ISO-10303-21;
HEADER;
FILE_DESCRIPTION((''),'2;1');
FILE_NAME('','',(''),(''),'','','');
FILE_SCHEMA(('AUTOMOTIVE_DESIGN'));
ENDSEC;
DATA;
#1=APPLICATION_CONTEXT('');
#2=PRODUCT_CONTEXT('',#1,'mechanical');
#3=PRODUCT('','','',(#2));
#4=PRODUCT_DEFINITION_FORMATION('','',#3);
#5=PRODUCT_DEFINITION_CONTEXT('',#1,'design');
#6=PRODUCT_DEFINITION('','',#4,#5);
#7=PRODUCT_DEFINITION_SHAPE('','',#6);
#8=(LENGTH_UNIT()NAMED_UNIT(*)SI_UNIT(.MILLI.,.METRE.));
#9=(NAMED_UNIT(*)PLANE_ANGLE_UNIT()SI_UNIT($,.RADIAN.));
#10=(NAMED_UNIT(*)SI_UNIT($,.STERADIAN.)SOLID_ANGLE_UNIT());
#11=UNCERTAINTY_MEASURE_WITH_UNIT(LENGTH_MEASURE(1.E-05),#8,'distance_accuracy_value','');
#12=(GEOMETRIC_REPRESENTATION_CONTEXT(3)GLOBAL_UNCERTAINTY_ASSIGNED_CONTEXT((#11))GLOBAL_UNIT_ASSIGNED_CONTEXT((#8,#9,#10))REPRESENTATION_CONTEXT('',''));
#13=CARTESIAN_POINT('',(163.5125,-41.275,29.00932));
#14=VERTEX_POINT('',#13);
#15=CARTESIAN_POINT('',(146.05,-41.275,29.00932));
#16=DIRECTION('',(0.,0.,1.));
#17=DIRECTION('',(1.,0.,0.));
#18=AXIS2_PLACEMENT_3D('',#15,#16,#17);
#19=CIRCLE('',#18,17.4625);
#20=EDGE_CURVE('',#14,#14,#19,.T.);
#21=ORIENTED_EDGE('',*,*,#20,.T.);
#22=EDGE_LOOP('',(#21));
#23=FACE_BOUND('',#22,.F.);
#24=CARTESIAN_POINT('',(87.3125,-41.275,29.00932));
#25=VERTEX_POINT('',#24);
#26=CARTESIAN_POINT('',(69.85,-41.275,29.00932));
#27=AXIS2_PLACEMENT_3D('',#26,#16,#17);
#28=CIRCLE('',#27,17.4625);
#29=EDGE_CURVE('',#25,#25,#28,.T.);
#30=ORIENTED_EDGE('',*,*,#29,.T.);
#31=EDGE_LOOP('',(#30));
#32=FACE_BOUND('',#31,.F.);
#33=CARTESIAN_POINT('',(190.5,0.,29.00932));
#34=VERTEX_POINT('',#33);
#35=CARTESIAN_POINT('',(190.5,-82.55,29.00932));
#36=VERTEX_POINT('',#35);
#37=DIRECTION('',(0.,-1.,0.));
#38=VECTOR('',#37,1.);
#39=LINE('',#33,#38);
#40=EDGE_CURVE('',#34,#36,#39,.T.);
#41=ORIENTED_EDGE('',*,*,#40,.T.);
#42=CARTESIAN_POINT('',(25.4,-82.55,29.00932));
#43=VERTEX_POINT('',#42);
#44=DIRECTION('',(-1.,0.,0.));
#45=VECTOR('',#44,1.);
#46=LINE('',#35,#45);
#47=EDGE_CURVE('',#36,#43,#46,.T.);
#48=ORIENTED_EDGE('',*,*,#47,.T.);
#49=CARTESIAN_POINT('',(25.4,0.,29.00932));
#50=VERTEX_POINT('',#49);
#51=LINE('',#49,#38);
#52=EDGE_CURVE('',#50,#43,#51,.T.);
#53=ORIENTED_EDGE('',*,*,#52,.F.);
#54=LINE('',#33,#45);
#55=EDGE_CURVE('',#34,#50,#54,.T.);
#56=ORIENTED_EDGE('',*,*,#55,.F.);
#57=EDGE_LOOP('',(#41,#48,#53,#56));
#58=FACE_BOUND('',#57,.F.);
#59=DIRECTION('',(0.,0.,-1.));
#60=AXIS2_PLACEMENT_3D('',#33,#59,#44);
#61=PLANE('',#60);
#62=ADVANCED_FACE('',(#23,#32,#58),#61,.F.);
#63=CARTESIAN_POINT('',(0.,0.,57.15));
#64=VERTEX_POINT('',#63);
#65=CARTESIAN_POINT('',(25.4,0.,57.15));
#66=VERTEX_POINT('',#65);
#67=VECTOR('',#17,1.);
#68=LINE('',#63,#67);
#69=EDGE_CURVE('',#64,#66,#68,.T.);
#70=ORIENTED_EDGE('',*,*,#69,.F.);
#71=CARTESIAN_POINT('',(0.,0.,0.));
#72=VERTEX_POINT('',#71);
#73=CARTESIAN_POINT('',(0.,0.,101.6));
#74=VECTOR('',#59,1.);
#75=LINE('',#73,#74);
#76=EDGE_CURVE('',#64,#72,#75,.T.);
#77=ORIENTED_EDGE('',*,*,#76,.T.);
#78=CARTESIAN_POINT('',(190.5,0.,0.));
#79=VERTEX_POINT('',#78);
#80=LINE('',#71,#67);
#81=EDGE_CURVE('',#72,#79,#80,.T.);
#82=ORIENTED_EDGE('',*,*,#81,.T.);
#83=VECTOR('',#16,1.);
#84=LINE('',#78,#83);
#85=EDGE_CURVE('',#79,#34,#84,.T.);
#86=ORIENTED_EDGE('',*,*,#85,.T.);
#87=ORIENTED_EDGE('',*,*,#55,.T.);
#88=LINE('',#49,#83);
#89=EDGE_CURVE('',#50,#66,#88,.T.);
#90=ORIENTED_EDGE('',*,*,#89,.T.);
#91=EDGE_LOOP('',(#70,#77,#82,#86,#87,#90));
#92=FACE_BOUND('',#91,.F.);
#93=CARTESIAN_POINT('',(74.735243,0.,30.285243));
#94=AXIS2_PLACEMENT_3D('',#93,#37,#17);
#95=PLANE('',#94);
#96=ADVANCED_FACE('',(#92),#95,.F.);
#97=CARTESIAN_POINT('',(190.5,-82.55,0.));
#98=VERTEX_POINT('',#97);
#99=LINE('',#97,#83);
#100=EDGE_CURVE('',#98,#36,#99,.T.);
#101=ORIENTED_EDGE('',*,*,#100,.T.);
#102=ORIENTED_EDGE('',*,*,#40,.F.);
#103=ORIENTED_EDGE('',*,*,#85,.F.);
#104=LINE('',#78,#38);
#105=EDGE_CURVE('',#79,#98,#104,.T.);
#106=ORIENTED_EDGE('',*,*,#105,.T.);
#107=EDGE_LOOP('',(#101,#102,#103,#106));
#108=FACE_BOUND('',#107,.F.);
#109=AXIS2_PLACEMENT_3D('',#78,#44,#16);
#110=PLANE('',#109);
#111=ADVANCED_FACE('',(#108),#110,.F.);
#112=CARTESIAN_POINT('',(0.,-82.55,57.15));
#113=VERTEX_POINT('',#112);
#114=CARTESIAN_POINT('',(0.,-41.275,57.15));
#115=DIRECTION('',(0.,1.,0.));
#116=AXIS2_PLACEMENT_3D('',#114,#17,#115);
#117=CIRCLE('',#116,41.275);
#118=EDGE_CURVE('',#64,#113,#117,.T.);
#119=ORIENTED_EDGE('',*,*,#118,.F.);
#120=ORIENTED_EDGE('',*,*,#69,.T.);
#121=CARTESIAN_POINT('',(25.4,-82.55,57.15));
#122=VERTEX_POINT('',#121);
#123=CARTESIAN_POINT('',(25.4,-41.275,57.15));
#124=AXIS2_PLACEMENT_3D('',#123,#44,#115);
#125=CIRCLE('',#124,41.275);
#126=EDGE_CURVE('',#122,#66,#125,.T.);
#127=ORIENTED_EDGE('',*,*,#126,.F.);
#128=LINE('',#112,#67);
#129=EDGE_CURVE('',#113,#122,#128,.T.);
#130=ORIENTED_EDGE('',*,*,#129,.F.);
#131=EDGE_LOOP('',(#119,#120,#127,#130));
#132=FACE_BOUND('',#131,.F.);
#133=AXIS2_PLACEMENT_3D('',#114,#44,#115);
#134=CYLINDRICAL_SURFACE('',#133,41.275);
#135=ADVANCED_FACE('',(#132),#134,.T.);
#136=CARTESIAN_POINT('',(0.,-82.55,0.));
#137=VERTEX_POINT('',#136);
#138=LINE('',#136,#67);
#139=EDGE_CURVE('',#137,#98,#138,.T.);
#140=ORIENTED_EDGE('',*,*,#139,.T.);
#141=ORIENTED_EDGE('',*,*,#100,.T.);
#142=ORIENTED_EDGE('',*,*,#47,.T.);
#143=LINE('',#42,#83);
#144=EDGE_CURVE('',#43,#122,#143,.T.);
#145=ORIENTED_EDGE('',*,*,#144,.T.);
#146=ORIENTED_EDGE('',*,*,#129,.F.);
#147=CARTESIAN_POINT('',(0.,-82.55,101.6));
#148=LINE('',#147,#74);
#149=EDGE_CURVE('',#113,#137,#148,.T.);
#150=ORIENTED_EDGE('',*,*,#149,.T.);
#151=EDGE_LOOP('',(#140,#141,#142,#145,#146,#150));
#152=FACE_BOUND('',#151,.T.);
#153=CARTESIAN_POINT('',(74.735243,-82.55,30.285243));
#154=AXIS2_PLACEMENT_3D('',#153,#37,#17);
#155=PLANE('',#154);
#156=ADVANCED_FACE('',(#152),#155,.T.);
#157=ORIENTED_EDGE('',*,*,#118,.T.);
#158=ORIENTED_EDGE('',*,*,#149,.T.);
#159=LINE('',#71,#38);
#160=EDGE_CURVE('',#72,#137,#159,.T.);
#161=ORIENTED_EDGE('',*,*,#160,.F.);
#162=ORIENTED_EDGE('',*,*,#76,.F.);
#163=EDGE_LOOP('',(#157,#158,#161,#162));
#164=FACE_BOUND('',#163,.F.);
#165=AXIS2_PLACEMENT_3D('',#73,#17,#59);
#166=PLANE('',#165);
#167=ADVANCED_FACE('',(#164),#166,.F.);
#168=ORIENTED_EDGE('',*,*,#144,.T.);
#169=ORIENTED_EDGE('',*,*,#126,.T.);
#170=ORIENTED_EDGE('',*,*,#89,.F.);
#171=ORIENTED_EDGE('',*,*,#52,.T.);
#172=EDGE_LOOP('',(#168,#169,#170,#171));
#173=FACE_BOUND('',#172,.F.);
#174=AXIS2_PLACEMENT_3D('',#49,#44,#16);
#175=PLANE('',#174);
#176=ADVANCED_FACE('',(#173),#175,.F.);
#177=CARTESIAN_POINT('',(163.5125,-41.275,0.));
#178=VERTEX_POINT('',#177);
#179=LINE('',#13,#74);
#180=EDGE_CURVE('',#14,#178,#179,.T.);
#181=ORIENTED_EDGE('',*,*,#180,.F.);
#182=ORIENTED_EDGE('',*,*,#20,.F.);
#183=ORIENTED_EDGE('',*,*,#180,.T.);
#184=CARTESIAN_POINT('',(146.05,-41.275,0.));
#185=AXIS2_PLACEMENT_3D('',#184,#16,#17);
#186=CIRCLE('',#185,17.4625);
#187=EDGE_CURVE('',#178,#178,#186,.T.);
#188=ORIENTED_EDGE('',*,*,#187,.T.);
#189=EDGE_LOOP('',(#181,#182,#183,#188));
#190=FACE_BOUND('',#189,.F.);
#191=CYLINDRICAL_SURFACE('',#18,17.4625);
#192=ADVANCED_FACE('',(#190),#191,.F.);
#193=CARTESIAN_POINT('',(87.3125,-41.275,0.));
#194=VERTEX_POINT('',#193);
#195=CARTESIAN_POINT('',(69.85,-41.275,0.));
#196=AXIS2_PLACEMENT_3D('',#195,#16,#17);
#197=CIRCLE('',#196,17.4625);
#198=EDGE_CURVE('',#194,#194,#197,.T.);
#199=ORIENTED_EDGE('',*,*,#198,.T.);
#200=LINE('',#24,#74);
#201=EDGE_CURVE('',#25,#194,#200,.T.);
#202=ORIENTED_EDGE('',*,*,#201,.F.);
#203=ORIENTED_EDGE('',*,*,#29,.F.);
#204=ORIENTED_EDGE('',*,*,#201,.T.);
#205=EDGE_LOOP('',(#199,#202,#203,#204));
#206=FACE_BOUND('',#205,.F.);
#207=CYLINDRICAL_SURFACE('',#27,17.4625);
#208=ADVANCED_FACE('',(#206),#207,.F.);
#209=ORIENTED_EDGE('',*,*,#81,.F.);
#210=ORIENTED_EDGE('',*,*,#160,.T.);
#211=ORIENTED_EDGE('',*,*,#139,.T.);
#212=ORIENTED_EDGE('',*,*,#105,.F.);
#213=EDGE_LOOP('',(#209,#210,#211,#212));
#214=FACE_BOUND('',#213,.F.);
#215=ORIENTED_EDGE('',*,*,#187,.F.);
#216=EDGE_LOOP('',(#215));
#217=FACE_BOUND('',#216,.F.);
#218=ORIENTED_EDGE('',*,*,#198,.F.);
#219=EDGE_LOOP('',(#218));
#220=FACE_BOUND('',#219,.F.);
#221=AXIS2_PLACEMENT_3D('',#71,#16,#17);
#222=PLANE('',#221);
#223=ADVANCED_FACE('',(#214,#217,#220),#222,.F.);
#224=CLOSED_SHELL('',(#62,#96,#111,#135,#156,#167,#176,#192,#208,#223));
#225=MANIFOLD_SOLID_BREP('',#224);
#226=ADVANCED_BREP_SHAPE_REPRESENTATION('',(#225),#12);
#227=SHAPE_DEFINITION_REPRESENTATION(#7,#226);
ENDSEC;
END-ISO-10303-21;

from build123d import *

# Parameters (mm, degrees)
F1_DEPTH = 82.55
F3_DEPTH = 190.501
F4_R     = 17.4625
F5_DEPTH = 29.01032


with BuildPart() as f1:
    # F0 (on Front) → F1 (new body)
    with BuildSketch(Plane.XZ):
        Polygon((0, 101.6), (0, 0), (190.5, 0), (190.5, 29.00932), (25.4, 29.00932), (25.4, 101.6), align=None)
    extrude(amount=F1_DEPTH)

    # F2 (on face) → F3 (cut, through all)
    with BuildSketch(Plane(origin=(0, 0, 0), x_dir=(0, -1, 0), z_dir=(-1, 0, 0))):
        with BuildLine():
            Line((0, 101.6), (0, 57.15))
            ThreePointArc((0, 57.15), (41.275, 98.425), (82.55, 57.15))
            Line((82.55, 57.15), (82.55, 101.6))
            Line((82.55, 101.6), (0, 101.6))
        make_face()
    extrude(amount=-F3_DEPTH, mode=Mode.SUBTRACT)

    # F4 (on face) → F5 (cut, through all)
    with BuildSketch(Plane.XY.offset(29.00932)):
        with Locations((69.85, -41.275)):
            Circle(F4_R)
        with Locations((146.05, -41.275)):
            Circle(F4_R)
    extrude(amount=-F5_DEPTH, mode=Mode.SUBTRACT)


solid = f1.part
